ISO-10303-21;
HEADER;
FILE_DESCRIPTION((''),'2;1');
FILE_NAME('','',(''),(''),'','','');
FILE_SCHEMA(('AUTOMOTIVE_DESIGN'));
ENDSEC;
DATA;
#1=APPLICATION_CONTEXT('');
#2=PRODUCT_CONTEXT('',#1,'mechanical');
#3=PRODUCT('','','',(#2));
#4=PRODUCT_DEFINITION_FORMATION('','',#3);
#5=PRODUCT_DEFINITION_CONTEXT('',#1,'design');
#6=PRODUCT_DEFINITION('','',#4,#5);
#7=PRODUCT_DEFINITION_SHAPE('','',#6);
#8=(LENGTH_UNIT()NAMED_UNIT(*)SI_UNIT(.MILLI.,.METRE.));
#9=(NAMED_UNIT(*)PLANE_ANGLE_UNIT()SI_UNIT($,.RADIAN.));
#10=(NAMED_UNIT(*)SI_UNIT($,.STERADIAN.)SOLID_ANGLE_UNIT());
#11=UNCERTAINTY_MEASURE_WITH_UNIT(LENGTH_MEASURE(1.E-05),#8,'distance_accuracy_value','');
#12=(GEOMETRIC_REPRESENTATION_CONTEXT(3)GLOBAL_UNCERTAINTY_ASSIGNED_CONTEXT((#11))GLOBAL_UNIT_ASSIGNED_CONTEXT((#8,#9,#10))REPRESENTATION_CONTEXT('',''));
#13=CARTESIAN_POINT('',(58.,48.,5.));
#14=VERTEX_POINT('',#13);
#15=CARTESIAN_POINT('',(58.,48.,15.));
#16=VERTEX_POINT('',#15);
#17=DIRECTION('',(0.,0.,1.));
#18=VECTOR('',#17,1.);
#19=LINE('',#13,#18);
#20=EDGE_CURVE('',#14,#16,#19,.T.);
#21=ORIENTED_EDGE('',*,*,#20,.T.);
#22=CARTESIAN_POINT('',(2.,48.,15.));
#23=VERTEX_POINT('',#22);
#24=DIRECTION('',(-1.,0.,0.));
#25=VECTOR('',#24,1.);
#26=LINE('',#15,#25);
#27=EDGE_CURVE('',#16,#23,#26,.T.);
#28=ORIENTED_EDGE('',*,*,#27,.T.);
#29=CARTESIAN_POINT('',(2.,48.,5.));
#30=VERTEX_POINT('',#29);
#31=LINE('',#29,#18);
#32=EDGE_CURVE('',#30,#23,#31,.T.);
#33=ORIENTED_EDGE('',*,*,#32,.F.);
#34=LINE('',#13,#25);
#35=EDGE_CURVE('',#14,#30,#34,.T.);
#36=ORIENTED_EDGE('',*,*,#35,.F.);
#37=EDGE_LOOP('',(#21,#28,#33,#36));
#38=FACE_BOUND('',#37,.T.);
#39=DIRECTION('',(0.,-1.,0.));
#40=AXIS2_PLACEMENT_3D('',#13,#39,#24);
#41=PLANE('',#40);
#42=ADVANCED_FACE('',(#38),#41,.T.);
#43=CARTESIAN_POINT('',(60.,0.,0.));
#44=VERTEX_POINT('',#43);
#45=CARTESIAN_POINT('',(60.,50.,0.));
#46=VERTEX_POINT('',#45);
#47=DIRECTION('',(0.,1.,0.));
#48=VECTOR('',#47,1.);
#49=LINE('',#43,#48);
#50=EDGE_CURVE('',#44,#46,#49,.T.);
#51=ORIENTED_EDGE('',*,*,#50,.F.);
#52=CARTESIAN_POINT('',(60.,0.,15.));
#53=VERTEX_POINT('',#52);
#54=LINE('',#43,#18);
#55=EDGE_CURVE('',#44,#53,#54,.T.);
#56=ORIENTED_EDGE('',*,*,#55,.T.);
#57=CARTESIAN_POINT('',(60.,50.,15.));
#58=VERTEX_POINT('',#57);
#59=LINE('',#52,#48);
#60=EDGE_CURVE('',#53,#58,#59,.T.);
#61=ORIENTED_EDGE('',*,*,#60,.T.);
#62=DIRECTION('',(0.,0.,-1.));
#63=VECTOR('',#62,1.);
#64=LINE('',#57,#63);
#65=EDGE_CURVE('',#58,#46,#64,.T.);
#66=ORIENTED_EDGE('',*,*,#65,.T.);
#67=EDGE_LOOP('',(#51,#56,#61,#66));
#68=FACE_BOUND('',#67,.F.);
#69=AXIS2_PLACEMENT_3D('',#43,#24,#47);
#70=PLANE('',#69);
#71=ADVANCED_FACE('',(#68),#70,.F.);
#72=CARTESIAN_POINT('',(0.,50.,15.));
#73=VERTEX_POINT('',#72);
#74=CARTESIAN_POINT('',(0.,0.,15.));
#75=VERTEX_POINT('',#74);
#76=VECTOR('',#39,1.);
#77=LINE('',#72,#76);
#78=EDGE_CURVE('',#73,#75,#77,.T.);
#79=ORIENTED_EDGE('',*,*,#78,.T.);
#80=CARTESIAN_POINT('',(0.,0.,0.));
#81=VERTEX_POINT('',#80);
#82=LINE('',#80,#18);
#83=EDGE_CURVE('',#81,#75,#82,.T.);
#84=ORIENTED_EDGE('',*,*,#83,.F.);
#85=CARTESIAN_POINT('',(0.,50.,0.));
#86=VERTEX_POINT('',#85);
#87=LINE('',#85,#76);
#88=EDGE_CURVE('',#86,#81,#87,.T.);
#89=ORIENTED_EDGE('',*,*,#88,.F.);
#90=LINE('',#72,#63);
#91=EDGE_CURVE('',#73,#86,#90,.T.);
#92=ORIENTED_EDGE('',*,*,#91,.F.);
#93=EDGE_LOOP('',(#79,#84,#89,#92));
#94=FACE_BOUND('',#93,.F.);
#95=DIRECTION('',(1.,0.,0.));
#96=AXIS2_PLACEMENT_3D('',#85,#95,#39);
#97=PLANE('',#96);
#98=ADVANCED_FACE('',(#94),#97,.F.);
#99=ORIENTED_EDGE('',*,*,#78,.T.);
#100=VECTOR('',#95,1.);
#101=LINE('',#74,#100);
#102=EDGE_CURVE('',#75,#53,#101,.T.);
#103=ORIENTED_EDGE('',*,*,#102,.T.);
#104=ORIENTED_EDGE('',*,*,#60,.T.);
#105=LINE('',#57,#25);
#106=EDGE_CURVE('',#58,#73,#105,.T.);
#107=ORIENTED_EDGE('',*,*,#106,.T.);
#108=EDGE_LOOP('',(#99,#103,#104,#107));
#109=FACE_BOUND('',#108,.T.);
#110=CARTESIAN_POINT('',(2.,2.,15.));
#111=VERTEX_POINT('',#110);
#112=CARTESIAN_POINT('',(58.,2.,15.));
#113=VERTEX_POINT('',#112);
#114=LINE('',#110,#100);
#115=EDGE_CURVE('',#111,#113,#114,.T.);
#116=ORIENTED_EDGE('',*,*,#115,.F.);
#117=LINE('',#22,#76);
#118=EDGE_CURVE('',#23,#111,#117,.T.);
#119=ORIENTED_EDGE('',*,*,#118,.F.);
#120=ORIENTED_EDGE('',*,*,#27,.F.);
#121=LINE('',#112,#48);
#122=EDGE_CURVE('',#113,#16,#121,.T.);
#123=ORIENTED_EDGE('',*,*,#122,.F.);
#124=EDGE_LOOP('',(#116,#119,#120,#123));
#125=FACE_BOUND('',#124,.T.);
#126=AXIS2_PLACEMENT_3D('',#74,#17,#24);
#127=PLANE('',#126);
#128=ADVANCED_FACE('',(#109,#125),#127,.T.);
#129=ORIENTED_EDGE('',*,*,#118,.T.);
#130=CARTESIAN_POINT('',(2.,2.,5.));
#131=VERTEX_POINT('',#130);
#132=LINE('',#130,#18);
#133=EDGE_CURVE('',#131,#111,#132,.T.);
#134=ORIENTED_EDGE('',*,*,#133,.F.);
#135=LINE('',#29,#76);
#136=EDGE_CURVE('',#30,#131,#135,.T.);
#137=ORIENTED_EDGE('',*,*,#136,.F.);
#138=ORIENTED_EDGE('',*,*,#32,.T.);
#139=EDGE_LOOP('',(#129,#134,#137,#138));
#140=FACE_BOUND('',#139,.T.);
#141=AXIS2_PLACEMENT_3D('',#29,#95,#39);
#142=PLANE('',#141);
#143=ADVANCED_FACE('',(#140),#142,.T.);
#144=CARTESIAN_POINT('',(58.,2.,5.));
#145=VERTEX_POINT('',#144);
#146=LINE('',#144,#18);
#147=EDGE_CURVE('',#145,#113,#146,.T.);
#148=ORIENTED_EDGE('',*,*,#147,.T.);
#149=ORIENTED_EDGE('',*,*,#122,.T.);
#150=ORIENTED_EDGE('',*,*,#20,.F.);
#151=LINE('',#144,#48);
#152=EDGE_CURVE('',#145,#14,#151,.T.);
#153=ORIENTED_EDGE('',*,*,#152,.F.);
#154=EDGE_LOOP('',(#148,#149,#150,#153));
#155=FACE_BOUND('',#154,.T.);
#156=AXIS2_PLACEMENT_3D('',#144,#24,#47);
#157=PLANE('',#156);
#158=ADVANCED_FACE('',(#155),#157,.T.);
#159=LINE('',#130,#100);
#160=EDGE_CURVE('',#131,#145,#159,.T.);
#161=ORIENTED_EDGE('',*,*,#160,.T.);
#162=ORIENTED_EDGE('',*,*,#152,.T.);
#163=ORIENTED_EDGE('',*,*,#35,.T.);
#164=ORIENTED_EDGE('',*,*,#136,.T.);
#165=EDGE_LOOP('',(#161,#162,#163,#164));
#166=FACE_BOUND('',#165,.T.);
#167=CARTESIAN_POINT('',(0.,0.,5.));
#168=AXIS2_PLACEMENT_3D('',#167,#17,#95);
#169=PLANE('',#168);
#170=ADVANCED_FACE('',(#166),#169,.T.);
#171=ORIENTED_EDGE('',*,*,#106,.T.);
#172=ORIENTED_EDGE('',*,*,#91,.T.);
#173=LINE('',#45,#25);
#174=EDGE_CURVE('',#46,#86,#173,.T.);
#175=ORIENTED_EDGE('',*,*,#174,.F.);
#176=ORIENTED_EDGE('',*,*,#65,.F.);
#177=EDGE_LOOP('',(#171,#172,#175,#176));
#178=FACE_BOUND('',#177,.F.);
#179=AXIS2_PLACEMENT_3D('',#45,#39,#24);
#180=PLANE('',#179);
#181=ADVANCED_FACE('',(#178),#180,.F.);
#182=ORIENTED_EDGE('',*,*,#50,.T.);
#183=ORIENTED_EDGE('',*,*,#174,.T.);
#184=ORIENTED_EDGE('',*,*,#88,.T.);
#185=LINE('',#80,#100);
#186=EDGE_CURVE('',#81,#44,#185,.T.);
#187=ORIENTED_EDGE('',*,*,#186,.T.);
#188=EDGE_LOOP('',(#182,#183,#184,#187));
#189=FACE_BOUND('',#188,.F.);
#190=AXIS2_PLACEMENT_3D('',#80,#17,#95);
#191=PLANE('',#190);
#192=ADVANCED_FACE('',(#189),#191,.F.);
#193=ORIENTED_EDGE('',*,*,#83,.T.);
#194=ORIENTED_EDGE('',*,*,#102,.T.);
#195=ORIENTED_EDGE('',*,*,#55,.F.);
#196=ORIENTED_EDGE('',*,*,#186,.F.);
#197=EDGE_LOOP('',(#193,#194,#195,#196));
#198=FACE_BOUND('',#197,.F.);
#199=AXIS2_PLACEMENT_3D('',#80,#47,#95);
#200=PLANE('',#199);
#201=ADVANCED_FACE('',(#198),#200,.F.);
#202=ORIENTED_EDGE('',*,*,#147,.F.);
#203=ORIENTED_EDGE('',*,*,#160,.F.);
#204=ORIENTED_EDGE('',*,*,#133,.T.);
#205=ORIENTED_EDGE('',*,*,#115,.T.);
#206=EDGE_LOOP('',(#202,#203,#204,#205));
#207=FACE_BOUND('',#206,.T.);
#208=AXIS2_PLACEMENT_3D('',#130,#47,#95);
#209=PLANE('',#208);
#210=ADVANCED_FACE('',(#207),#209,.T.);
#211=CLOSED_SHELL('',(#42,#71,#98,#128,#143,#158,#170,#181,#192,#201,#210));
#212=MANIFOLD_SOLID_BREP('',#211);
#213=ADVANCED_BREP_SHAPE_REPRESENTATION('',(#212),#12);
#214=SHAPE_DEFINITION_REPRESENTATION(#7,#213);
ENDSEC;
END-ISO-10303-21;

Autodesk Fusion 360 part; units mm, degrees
sketch "Skizze1" plane through (0, 0, 0) normal (0, 0, 1) x (1, 0, 0)
  line L0 (0, 0) -> (60, 0)
  line L1 (60, 0) -> (60, 50)
  line L2 (60, 50) -> (0, 50)
  line L3 (0, 50) -> (0, 0)
  dimension "d1" = 60
  dimension "d2" = 50
extrude "Extrusion1" add sketch "Skizze1" along normal blind 5
sketch "Skizze2" plane through (0, 0, 5) normal (0, 0, 1) x (-1, 0, 0)
  line L0 (0, -50) -> (0, 0)
  line L1 (0, 0) -> (-60, 0)
  line L2 (-60, 0) -> (-60, -50)
  line L3 (-60, -50) -> (0, -50)
  line L4 (-58, -2) -> (-58, -48)
  line L5 (-58, -48) -> (-2, -48)
  line L6 (-2, -48) -> (-2, -2)
  line L7 (-2, -2) -> (-58, -2)
  dimension "d5" = -2
extrude "Extrusion2" add sketch "Skizze2" along normal blind 10
scale "Maßstab1" factor 1 about (60, 0, 0) bodies 1
